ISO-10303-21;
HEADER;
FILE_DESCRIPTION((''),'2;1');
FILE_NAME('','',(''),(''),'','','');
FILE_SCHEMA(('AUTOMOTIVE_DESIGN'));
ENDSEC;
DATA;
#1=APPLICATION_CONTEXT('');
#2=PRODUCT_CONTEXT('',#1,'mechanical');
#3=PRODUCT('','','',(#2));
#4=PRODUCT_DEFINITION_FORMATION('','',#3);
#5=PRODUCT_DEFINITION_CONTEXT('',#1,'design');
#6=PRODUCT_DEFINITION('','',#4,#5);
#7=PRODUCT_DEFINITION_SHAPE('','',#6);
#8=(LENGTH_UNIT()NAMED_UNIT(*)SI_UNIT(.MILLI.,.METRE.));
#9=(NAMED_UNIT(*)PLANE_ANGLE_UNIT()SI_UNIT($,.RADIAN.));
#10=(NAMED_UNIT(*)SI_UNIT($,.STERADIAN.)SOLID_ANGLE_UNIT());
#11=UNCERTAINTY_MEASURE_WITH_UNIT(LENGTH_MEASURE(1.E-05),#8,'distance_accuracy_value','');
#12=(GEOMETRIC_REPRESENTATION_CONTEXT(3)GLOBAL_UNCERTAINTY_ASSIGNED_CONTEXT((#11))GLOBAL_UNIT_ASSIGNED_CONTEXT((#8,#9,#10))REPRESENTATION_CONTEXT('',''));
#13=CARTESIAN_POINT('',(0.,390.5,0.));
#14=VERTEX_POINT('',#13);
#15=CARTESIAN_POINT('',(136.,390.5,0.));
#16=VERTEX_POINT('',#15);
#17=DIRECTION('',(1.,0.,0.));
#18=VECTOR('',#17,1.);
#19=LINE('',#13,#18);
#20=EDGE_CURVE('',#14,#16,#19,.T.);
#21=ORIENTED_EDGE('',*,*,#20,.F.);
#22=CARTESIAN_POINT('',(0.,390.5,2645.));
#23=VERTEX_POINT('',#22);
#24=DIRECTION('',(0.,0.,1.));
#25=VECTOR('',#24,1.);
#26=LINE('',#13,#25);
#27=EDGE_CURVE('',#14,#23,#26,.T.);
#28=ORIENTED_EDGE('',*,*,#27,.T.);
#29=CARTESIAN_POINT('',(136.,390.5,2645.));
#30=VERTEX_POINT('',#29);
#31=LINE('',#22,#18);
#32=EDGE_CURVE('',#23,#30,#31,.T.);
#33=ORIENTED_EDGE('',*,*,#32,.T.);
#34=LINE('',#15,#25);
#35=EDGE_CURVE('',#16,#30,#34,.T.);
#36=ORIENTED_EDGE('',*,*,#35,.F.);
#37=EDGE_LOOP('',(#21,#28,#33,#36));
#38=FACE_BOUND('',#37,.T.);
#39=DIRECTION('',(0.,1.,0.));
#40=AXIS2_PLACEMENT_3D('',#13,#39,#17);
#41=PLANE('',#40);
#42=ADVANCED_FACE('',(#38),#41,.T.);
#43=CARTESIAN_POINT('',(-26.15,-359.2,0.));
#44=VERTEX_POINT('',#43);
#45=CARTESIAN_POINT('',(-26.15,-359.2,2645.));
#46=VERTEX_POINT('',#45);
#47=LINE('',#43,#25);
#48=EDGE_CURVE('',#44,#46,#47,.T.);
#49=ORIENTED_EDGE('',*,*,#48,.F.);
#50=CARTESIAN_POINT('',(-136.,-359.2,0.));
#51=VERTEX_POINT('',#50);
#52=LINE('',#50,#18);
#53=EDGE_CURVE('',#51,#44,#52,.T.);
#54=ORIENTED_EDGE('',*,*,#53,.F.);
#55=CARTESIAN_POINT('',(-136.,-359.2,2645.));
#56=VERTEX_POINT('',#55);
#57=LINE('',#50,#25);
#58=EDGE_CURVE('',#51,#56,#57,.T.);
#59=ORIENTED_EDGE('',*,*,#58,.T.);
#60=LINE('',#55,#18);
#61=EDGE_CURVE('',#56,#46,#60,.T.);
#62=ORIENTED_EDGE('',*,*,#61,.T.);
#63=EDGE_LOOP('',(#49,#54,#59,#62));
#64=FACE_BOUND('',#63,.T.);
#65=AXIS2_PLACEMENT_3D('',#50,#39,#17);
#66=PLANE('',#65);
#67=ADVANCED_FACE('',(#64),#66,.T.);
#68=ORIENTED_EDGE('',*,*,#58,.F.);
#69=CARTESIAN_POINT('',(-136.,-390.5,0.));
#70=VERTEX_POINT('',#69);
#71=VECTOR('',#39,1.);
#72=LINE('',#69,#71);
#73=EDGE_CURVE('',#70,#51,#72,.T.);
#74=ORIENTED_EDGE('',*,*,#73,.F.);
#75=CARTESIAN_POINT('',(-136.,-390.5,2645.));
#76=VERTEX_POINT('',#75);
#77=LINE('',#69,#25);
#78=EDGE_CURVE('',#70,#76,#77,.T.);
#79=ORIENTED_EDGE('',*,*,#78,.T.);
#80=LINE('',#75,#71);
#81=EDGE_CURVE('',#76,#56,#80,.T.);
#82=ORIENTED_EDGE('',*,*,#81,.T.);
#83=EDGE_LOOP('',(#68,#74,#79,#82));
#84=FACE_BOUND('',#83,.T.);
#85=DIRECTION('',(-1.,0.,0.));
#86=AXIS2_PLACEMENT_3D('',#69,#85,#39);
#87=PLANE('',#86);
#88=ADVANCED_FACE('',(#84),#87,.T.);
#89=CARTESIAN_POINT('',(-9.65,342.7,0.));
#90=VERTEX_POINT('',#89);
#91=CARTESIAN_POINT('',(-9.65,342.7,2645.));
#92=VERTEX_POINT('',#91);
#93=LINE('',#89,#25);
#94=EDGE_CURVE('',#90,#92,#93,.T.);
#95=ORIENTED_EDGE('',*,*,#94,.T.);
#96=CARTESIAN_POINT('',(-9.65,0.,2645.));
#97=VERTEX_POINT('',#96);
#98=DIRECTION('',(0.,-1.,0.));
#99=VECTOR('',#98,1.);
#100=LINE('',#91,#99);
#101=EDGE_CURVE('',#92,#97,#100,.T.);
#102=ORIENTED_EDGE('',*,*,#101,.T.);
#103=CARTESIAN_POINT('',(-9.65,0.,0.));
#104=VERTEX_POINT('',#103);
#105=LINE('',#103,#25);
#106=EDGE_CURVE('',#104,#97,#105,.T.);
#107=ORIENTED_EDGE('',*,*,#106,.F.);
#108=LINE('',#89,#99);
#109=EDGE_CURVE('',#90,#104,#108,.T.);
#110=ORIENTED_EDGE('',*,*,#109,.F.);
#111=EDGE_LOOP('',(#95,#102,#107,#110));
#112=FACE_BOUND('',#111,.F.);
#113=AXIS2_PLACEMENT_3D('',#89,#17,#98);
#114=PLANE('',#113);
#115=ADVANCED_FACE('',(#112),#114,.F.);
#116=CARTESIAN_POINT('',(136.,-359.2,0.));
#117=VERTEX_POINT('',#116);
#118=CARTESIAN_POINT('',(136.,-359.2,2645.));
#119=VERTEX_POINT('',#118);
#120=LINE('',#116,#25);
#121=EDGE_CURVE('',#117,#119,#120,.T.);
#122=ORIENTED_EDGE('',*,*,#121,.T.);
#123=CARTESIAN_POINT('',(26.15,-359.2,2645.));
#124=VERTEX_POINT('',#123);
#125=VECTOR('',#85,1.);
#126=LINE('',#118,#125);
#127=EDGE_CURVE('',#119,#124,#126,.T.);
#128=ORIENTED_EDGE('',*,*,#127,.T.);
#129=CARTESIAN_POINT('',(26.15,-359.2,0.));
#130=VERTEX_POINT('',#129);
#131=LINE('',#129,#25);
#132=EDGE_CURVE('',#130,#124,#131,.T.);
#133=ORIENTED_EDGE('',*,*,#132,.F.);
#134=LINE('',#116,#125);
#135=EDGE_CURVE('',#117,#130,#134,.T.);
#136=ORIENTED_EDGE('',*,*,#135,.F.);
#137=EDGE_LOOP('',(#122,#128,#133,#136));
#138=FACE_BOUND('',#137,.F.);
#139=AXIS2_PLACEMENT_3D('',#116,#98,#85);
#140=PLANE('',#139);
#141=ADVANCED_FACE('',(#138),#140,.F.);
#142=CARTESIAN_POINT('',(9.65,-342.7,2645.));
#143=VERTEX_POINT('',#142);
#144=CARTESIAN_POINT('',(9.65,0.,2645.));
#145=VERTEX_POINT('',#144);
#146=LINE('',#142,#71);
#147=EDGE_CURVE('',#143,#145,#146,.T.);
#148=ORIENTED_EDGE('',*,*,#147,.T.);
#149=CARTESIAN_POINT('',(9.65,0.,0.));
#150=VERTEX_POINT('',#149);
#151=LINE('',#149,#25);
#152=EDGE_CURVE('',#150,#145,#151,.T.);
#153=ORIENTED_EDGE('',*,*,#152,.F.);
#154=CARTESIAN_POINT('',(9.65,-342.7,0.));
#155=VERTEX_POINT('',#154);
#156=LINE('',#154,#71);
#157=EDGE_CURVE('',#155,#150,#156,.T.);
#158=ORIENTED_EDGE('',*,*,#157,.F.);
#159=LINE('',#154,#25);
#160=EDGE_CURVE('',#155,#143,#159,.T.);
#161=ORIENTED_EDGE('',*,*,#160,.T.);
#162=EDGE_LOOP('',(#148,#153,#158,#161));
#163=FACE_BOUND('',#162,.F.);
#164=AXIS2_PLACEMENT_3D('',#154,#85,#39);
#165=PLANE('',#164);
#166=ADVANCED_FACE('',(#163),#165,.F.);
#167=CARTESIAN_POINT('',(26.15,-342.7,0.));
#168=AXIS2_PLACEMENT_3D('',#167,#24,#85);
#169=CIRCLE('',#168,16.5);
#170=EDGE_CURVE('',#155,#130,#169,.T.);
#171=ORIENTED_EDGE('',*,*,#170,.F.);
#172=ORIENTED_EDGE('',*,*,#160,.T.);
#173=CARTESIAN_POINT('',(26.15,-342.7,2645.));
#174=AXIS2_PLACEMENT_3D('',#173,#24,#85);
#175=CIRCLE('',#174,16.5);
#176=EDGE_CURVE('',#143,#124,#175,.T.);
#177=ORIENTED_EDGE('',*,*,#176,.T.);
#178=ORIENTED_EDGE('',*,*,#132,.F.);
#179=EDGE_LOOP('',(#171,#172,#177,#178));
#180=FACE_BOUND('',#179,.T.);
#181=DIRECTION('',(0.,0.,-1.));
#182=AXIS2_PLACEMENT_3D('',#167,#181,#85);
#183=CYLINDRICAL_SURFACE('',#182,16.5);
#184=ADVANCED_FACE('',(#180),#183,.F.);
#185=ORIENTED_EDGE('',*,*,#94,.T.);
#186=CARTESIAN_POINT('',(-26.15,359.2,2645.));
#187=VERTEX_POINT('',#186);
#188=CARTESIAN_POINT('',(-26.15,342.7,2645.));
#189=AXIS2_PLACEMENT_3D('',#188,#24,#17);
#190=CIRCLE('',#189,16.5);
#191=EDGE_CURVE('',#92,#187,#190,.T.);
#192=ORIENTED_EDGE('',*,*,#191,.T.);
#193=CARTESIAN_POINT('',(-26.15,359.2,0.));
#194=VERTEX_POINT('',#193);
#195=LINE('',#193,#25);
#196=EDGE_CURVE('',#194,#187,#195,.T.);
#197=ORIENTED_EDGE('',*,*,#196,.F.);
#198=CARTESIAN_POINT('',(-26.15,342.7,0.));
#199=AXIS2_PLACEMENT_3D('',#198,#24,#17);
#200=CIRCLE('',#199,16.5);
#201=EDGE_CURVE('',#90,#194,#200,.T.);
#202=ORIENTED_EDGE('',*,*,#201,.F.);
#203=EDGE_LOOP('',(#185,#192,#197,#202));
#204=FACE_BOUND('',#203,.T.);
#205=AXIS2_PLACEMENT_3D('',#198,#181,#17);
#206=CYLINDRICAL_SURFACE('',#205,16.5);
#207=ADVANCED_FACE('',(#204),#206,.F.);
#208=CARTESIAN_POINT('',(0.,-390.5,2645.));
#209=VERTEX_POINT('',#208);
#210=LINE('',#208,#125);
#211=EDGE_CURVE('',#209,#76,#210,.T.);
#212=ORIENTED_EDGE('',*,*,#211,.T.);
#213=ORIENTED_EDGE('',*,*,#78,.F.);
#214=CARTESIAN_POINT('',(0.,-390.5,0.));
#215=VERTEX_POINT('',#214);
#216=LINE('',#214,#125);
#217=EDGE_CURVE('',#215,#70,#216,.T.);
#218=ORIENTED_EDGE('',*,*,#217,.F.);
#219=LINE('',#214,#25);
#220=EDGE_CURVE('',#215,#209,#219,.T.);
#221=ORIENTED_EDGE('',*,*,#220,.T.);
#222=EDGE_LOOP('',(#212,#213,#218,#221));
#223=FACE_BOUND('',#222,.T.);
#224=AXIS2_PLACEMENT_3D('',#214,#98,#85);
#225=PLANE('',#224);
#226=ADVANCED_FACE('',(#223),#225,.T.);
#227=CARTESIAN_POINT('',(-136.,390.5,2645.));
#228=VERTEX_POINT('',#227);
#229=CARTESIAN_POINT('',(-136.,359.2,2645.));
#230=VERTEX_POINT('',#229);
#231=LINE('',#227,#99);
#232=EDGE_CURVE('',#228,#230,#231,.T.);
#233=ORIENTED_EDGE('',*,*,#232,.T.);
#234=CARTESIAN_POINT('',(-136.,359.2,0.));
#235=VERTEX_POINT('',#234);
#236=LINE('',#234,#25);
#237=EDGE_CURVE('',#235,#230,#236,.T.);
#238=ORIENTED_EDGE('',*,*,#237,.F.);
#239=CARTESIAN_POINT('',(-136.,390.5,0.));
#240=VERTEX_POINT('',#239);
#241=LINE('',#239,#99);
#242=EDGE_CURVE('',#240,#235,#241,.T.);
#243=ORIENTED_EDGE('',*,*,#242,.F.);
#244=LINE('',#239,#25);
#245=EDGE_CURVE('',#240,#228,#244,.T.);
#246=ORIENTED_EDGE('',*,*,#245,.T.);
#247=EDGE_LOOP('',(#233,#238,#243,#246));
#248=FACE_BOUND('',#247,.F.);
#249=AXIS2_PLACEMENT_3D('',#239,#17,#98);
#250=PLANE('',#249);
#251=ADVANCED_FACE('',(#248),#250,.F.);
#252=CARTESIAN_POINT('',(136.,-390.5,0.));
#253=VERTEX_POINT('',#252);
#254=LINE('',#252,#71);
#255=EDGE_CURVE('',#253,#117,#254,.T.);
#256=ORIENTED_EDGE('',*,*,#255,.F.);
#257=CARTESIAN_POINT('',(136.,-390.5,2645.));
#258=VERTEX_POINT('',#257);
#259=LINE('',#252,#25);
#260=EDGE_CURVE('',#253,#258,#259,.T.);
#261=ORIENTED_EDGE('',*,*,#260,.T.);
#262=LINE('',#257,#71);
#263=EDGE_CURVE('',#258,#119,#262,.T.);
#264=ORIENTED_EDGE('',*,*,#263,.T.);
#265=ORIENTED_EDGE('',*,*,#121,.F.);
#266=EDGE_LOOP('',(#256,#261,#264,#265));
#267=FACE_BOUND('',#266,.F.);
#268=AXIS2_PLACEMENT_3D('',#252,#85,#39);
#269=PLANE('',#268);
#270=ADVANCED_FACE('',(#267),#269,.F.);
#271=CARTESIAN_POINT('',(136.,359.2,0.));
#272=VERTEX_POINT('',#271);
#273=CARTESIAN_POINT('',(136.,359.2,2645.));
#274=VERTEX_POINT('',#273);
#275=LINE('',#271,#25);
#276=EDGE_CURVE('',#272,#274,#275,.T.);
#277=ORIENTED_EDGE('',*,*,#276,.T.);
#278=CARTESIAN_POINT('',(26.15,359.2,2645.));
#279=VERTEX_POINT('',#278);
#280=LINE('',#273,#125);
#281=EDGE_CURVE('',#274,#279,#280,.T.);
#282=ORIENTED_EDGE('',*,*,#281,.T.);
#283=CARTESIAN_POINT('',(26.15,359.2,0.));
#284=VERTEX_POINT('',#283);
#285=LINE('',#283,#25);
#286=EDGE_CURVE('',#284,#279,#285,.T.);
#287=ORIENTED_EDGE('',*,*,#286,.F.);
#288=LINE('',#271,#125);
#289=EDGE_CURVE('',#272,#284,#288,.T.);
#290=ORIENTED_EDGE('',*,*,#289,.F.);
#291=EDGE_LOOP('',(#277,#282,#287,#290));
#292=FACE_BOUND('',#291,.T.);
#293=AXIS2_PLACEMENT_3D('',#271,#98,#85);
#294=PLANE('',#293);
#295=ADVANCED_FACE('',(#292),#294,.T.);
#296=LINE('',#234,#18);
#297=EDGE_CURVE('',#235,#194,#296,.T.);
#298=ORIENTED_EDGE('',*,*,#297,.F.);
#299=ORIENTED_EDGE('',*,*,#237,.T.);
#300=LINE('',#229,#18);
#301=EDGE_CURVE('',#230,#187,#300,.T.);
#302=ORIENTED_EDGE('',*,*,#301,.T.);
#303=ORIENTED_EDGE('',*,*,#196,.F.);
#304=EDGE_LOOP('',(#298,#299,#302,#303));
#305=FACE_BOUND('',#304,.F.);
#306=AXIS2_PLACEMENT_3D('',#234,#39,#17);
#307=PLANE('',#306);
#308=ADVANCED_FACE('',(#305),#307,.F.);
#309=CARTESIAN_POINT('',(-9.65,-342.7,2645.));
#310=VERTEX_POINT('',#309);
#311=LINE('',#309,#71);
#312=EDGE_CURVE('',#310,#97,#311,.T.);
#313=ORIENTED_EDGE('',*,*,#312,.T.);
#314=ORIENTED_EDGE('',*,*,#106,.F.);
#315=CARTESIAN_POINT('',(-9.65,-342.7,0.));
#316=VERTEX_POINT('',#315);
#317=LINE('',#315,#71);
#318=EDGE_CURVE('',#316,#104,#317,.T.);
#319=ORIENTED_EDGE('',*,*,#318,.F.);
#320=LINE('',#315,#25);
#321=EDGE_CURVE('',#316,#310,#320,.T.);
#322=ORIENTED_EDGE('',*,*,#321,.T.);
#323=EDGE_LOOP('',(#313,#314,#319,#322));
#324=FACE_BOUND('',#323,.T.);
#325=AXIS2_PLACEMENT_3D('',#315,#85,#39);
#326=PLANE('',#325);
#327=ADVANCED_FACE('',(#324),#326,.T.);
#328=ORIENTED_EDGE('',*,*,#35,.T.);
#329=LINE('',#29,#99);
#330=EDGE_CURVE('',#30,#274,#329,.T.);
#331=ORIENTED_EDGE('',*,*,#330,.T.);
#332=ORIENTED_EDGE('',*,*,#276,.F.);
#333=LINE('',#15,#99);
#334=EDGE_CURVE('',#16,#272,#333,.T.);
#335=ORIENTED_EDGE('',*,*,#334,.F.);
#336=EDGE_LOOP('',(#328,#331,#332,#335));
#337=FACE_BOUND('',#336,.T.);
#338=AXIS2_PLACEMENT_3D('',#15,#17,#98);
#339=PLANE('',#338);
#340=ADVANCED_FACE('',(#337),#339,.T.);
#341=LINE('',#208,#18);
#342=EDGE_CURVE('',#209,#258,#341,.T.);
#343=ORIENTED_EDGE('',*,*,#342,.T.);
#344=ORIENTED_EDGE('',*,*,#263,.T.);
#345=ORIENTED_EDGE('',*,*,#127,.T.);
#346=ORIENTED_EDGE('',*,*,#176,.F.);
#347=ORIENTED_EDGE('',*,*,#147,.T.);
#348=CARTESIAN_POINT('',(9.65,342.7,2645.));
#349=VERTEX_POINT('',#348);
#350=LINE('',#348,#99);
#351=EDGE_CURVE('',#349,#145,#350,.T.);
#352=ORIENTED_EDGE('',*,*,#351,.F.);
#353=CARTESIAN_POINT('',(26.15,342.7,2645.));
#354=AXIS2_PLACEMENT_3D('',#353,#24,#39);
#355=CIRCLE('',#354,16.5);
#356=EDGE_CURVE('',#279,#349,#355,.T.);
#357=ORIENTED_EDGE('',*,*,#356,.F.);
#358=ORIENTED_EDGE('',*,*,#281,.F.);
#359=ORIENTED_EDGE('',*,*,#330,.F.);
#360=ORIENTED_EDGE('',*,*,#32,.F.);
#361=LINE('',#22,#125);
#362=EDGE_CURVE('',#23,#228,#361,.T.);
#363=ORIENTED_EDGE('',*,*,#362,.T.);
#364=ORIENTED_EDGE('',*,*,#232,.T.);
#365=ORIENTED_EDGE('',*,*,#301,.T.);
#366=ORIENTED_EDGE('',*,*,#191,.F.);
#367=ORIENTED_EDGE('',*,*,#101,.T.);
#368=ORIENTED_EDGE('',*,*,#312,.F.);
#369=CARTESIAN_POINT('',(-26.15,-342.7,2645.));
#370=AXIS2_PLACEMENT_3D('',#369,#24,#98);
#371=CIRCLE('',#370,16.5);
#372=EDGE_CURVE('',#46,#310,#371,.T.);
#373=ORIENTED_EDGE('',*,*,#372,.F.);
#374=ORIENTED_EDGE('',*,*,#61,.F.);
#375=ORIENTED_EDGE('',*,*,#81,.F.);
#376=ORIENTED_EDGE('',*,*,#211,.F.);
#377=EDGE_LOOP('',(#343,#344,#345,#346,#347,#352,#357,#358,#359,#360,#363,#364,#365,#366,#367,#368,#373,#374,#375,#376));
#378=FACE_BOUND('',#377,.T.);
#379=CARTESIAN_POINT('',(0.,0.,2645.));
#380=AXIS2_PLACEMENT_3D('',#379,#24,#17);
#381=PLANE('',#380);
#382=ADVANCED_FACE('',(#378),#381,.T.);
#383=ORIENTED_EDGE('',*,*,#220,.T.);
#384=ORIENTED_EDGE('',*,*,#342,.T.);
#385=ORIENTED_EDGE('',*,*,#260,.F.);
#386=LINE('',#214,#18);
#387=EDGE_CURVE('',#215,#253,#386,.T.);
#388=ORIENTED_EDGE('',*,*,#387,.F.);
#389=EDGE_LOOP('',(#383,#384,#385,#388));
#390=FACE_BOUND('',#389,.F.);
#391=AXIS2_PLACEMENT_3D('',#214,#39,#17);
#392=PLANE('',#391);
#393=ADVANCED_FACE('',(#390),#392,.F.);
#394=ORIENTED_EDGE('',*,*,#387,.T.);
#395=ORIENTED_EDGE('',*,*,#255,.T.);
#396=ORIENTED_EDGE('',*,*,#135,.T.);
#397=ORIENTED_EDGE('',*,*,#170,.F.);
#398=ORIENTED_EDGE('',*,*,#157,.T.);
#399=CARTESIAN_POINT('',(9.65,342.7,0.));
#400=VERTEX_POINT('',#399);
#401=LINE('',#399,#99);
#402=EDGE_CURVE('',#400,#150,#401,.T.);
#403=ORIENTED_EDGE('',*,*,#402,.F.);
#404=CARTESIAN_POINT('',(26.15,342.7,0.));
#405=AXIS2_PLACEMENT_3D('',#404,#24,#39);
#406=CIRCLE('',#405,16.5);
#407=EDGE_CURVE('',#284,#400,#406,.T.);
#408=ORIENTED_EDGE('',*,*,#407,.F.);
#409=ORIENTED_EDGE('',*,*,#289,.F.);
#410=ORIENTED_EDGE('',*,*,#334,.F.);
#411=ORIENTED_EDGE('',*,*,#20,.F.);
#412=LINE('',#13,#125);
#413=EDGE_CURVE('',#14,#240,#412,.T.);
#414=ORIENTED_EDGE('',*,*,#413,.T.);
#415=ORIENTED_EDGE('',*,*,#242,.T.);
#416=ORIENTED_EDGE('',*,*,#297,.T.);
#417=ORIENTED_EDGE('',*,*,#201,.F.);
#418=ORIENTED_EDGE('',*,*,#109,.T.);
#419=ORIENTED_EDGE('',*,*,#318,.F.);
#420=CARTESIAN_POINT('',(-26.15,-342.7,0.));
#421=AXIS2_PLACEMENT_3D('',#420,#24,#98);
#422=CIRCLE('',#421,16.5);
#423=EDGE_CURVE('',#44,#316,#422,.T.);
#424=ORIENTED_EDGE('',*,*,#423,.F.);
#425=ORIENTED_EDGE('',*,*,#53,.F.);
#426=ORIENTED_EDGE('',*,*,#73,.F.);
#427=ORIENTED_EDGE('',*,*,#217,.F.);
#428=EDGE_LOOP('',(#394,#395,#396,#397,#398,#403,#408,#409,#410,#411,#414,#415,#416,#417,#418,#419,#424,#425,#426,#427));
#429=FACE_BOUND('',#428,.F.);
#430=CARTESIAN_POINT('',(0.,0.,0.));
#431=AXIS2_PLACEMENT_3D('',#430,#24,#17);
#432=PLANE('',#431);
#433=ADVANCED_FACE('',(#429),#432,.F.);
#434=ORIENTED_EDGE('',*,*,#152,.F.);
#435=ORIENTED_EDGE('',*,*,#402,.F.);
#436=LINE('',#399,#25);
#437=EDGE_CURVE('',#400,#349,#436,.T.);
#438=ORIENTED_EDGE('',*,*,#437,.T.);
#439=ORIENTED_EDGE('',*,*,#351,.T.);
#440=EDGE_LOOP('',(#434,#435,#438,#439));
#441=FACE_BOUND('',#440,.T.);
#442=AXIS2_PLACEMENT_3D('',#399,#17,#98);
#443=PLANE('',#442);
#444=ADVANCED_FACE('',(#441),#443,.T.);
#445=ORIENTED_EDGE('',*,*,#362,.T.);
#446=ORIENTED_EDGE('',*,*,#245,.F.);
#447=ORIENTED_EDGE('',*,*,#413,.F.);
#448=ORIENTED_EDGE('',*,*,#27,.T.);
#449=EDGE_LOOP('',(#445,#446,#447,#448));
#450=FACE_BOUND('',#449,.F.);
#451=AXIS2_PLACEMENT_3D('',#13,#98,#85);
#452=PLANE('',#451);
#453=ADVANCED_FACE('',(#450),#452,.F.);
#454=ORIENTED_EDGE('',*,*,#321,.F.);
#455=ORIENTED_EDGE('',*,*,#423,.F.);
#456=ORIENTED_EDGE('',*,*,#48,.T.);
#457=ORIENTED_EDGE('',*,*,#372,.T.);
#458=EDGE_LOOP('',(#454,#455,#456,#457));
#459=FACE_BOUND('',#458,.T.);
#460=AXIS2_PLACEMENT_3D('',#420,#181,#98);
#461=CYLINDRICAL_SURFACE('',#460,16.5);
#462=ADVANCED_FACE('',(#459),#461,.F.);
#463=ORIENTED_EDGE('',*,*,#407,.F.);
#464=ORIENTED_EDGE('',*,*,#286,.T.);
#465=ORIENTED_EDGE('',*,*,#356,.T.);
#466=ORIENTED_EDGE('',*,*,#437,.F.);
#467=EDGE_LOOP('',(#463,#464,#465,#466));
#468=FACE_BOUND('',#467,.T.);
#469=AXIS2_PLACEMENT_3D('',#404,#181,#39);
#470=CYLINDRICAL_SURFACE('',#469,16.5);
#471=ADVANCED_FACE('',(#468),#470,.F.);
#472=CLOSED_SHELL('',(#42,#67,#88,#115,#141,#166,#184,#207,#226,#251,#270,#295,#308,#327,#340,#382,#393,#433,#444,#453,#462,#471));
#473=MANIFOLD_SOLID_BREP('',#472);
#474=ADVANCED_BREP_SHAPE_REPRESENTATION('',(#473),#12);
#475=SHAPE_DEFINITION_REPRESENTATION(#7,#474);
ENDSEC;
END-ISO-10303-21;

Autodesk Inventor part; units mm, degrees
ref_plane "YZ Plane" through (0, 0, 0) normal (1, 0, 0) x (0, 1, 0)
ref_plane "Start plane" through (0, 0, 0) normal (0, 0, 1) x (1, 0, 0)
ref_plane "End plane" through (0, 0, 2645) normal (0, 0, 1) x (1, 0, 0)
sketch "Sketch" plane through (0, 0, 0) normal (0, 0, 1) x (1, 0, 0)
  line L0 (-136, -390.5) -> (-136, -359.2)
  line L1 (-136, -359.2) -> (-26.15, -359.2)
  line L2 (-9.65, -342.7) -> (-9.65, 0)
  line L3 (-9.65, 0) -> (0, 0) construction
  line L4 (0, 0) -> (0, -390.5) construction
  line L5 (0, -390.5) -> (-136, -390.5)
  line L6 (-60, 0) -> (80, 0) construction
  line L7 (0, -60) -> (0, 80) construction
  line L8 (136, -390.5) -> (136, -359.2)
  line L9 (136, -359.2) -> (26.15, -359.2)
  line L10 (9.65, -342.7) -> (9.65, 0)
  line L11 (9.65, 0) -> (0, 0) construction
  line L12 (0, -390.5) -> (136, -390.5)
  line L13 (-136, 390.5) -> (-136, 359.2)
  line L14 (-136, 359.2) -> (-26.15, 359.2)
  line L15 (-9.65, 342.7) -> (-9.65, 0)
  line L16 (0, 390.5) -> (-136, 390.5)
  line L17 (136, 390.5) -> (136, 359.2)
  line L18 (136, 359.2) -> (26.15, 359.2)
  line L19 (0, 390.5) -> (136, 390.5)
  line L20 (9.65, 342.7) -> (9.65, 0)
  arc A0 (-9.65, 342.7) -> (-26.15, 359.2) centre (-26.15, 342.7) ccw
  arc A1 (26.15, 359.2) -> (9.65, 342.7) centre (26.15, 342.7) ccw
  arc A2 (9.65, -342.7) -> (26.15, -359.2) centre (26.15, -342.7) ccw
  arc A3 (-26.15, -359.2) -> (-9.65, -342.7) centre (-26.15, -342.7) ccw
  line L21 (0, 108) -> (0, -88) construction
  line L22 (-88, 0) -> (108, 0) construction
  point P0 (-9.65, -359.2)
  point P1 (9.65, -359.2)
  point P2 (-9.65, 359.2)
  point P3 (9.65, 359.2)
  dimension "d1" = 390.5
  dimension "d2" = 31.3
  dimension "d3" = 136
  dimension "d4" = 9.65
  dimension "d10" = 16.5
extrude "Body" add sketch "Sketch" along normal up to surface (2645 mm away) from surface at 0
sketch "Sketch4" plane through (0, 0, 0) normal (0, 0, 1) x (1, 0, 0)
  line L0 (0, 0) -> (10, 0)
ref_plane "Work Plane3" through (0, 0, 0) normal (0, -1, 0) x (1, 0, 0)
sketch "Sketch5" plane through (0, 0, 0) normal (0, -1, 0) x (1, 0, 0)
  line L0 (-2, 0) -> (12, 0) projected
  line L1 (-2, 2645) -> (12, 2645) projected
  dimension "d14" = 2645
equation "\"d1\" = 0.5 * G_H"
equation "\"d2\" = G_T1"
equation "\"d3\" = 0.5 * G_W"
equation "\"d4\" = 0.5 * G_T"
equation "\"d10\" = G_IR"
equation "\"d5\" = G_L"
equation "\"G_W\" = 272"
equation "\"G_H\" = 781"
equation "\"G_T\" = 19.3"
equation "\"G_T1\" = 31.3"
equation "\"G_IR\" = 16.5"
equation "\"G_L\" = d14"
equation "\"G_OFFSET_START\" = 0"
equation "\"G_OFFSET_END\" = 0"
equation "\"d12\" = G_OFFSET_END + B_L"
equation "\"B_L\" = 2645"
properties part number "AS 3679-1990 - 760 UB - 244 - 2645" material "Steel, Mild"
